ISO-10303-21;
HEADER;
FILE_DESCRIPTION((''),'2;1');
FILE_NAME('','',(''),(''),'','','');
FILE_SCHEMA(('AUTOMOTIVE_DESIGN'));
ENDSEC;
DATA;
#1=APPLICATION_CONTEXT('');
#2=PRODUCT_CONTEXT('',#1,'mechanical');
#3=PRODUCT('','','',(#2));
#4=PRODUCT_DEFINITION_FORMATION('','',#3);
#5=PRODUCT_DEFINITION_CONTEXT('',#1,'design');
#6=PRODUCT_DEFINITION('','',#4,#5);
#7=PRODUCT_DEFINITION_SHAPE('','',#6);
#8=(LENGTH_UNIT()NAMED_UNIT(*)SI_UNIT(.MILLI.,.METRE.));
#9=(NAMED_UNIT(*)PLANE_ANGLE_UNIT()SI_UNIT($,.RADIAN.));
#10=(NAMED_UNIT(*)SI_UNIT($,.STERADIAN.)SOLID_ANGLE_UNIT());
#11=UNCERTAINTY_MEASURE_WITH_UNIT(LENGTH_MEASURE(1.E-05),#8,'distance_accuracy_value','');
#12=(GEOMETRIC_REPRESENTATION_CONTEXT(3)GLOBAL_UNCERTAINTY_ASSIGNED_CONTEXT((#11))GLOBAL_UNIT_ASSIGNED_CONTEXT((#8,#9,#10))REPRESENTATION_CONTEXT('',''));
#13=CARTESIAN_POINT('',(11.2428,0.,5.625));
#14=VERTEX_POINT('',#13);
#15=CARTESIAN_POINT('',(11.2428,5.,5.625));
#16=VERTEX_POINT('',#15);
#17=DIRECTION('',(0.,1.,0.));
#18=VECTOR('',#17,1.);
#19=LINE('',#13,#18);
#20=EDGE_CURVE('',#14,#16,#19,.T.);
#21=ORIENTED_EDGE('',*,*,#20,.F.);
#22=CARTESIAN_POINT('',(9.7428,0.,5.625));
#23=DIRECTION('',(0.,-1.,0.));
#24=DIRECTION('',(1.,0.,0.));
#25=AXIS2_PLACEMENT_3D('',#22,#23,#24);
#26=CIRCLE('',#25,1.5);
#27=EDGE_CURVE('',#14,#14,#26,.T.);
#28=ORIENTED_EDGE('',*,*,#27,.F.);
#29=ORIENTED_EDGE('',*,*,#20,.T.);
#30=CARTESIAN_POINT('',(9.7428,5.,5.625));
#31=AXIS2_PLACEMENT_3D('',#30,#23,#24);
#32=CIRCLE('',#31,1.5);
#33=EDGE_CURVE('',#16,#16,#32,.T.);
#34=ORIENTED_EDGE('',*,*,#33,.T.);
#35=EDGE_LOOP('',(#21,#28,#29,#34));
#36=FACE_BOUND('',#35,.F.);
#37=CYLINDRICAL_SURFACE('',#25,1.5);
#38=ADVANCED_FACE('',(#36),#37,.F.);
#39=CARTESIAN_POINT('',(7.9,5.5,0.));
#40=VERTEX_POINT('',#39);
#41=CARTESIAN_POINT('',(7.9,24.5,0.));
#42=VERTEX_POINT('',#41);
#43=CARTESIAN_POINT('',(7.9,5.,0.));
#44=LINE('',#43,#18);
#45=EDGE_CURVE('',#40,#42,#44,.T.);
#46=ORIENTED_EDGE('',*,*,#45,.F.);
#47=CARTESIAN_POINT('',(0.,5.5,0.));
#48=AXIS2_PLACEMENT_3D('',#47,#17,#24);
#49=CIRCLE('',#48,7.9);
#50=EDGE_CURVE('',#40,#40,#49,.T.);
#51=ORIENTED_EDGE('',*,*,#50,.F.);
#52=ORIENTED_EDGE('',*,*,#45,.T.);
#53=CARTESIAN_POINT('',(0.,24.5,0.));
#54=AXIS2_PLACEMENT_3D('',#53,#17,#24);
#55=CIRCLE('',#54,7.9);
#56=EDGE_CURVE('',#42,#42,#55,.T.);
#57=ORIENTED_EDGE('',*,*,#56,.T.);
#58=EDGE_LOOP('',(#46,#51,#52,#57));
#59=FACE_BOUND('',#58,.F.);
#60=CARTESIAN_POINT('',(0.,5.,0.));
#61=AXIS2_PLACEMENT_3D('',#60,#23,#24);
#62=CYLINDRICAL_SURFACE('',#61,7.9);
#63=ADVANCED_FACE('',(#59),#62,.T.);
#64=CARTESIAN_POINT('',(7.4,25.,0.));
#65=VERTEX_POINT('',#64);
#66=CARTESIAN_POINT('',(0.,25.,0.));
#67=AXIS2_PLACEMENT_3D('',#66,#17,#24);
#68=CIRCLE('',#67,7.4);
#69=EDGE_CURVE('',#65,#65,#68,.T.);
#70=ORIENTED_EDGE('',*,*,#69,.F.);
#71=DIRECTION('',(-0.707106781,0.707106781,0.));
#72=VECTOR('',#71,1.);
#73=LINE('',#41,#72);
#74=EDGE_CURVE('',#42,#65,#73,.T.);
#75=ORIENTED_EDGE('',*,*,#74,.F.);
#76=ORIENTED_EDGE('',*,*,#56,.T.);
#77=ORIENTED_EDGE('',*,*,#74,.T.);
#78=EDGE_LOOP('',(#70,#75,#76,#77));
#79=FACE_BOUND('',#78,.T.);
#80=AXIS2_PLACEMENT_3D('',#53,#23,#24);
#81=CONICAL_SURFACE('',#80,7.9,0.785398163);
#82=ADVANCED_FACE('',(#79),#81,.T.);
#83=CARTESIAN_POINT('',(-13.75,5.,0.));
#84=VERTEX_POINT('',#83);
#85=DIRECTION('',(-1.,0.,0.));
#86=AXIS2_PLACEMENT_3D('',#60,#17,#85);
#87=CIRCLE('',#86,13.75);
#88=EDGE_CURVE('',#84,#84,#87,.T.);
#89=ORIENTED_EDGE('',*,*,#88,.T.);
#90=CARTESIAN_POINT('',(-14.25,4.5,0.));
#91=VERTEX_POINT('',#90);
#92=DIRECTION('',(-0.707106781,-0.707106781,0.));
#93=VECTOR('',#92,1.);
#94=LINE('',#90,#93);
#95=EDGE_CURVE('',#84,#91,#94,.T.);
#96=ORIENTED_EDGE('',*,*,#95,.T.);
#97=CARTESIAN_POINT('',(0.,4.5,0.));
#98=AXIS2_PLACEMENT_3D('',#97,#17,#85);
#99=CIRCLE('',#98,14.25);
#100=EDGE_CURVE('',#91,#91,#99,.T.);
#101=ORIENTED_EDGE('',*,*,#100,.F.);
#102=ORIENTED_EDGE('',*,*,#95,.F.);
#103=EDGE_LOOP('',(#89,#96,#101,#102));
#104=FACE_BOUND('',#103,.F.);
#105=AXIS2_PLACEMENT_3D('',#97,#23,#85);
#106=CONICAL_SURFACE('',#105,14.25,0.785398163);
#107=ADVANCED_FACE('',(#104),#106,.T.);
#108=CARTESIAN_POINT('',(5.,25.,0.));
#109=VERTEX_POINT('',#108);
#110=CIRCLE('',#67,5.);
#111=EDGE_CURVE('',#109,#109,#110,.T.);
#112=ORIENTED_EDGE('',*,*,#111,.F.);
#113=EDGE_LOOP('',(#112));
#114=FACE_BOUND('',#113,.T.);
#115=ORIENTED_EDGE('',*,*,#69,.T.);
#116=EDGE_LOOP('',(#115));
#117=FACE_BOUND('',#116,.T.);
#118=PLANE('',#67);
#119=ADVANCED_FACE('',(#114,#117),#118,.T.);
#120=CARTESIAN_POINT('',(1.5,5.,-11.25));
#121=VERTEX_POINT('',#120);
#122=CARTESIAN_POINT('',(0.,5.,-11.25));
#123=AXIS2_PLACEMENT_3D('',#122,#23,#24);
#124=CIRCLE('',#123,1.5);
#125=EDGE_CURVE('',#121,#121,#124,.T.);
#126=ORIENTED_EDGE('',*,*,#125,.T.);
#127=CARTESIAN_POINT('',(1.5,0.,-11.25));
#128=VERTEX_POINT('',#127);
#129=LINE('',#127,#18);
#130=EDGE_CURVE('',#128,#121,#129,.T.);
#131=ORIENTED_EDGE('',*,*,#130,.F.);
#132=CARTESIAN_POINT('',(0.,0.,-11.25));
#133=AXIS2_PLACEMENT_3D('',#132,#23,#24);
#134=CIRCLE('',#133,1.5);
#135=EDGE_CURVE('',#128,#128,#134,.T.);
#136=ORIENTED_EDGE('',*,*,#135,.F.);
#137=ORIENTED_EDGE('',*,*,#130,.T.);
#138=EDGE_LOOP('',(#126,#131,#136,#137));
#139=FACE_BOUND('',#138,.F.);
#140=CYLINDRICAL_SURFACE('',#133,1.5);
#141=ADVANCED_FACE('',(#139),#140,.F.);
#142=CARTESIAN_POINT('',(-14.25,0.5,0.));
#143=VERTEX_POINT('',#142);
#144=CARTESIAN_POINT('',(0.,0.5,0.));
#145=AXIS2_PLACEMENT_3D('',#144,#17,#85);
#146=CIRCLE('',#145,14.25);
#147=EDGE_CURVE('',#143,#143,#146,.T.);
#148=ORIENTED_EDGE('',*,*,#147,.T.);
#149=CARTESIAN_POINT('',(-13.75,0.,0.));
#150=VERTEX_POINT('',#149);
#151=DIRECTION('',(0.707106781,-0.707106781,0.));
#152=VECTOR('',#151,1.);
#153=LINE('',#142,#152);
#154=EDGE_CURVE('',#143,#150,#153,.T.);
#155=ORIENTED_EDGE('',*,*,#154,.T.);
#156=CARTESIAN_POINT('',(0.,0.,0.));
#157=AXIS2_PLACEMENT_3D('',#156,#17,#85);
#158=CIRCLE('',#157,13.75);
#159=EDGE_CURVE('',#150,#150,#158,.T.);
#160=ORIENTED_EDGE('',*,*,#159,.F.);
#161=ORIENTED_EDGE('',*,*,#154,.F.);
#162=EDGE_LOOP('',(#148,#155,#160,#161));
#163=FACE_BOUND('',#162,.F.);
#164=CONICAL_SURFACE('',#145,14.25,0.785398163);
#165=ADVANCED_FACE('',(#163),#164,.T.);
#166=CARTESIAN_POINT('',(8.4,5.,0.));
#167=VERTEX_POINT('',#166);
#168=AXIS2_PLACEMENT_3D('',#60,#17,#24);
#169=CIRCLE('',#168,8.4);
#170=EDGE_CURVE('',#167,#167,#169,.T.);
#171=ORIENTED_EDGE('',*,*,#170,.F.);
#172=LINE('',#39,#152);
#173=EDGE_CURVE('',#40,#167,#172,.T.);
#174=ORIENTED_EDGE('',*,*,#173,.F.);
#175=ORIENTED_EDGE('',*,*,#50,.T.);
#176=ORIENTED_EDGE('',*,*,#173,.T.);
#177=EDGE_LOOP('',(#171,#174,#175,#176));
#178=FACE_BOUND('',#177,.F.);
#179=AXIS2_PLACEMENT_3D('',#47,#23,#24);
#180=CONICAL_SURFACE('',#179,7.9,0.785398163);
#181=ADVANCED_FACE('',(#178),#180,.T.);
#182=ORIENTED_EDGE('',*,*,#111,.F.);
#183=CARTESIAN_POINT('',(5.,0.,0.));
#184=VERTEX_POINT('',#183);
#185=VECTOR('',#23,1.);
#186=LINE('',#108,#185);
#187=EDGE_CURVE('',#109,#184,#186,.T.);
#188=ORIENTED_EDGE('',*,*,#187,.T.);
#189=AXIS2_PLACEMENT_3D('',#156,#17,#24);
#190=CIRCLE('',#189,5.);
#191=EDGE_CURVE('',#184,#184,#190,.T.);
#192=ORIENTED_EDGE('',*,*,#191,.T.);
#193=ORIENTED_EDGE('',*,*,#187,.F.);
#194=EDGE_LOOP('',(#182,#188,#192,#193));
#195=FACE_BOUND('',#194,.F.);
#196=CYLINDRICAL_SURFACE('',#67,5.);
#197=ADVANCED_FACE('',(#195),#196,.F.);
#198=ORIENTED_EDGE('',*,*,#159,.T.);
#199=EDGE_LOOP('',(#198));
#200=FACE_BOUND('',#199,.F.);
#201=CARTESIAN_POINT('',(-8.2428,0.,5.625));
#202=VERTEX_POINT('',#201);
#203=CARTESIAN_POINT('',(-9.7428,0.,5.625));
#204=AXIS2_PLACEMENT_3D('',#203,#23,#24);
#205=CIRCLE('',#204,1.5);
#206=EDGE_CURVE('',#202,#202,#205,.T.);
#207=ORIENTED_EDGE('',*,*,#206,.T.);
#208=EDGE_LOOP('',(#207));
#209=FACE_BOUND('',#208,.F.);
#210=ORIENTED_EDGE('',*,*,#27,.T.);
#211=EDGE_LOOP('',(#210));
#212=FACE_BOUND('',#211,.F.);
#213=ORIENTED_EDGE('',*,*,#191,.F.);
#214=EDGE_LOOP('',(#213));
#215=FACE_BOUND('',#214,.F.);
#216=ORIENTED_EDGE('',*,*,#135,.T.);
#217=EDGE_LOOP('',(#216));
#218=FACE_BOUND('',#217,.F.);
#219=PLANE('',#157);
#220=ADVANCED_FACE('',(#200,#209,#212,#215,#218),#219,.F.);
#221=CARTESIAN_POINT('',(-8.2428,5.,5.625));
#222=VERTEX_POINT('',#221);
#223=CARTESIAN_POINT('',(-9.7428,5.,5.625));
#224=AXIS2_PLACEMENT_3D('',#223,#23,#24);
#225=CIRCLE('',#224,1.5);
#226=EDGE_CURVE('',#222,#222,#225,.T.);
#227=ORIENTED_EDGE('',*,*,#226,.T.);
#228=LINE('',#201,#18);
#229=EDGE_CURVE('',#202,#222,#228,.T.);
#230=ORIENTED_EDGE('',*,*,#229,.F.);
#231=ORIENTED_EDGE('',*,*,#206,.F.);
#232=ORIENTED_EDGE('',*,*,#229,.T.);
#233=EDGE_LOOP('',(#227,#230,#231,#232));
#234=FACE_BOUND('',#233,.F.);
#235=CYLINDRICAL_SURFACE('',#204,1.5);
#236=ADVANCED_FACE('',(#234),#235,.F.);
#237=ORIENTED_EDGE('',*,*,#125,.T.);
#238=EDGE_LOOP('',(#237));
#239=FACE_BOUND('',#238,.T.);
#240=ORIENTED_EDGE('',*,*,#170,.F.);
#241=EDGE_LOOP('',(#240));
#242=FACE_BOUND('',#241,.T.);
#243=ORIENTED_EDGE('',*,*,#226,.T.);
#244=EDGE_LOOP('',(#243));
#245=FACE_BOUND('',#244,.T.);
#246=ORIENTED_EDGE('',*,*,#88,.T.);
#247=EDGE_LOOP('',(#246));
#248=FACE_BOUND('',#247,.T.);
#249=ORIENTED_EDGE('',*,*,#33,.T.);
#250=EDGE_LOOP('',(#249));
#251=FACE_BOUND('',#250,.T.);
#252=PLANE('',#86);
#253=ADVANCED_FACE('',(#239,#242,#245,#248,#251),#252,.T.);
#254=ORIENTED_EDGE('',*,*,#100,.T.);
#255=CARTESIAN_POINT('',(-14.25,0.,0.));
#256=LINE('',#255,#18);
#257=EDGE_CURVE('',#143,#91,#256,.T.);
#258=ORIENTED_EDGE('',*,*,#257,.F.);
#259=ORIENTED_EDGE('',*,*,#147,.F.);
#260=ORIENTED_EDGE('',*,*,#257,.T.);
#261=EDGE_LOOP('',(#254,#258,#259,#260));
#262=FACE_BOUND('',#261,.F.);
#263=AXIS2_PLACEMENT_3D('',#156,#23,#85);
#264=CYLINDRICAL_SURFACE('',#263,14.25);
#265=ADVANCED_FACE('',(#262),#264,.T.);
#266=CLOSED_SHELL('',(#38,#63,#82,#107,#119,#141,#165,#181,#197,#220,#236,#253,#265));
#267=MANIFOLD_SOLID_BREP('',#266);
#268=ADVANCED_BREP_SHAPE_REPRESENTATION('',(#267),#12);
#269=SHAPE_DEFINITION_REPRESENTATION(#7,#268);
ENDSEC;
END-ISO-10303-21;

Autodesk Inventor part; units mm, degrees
ref_plane "YZ Plane" through (0, 0, 0) normal (1, 0, 0) x (0, 1, 0)
ref_plane "XZ Plane" through (0, 0, 0) normal (0, 1, 0) x (-1, 0, 0)
ref_plane "XY Plane" through (0, 0, 0) normal (0, 0, 1) x (1, 0, 0)
sketch "Sketch1" plane through (0, 0, 0) normal (0, 1, 0) x (-1, 0, 0)
  circle A0 centre (0, 0) radius 14.25
  dimension "d0" = 28.5
extrude "Extrusion1" add sketch "Sketch1" along normal blind 5
sketch "Sketch2" plane through (0, 5, 0) normal (0, 1, 0) x (1, 0, 0)
  circle A0 centre (0, 0) radius 14.25 projected
  circle A1 centre (0, 0) radius 7.9
  dimension "d3" = 15.8
extrude "Extrusion2" add sketch "Sketch2" along normal blind 20 contours A1
sketch "Sketch3" plane through (0, 25, 0) normal (0, 1, 0) x (1, 0, 0)
  circle A0 centre (0, 0) radius 7.9 projected
  circle A1 centre (0, 0) radius 5
  dimension "d6" = 10
extrude "Extrusion3" cut sketch "Sketch3" against normal blind 25.6 contours A1
chamfer "Chamfer1" distance 0.5 angle 45 1 edges at (-7.9, 25, 0)
chamfer "Chamfer2" distance 0.5 angle 45 3 edges at (-7.9, 5, 0) (14.25, 5, 0) (14.25, 0, 0)
thread "Thread1" size "TR10x2" class "7H" standard "ISO Metric Trapezoidal Threads" full length
sketch "Sketch4" plane through (0, 0, 0) normal (0, -1, 0) x (1, 0, 0)
  circle A0 centre (0, 0) radius 13.75 projected
  line L0 (0, 0) -> (0, -13.75) construction
  line L1 (0, 0) -> (-11.9078, 6.875) construction
  line L2 (0, 0) -> (11.9078, 6.875) construction
  circle A1 centre (0, 0) radius 14.25 projected
  circle A2 centre (0, 0) radius 11.25 construction
  circle A3 centre (9.7428, 5.625) radius 1.5
  circle A4 centre (0, -11.25) radius 1.5
  circle A5 centre (-9.7428, 5.625) radius 1.5
  dimension "d17" = 120
  dimension "d18" = 120
  dimension "d22" = 22.5
  dimension "d23" = 3
  dimension "d24" = 3
  dimension "d25" = 3
extrude "Extrusion4" cut sketch "Sketch4" against normal blind 5 contours A3 | A4 | A5
properties part number "ZACMENut" material "ABS Plastic"
